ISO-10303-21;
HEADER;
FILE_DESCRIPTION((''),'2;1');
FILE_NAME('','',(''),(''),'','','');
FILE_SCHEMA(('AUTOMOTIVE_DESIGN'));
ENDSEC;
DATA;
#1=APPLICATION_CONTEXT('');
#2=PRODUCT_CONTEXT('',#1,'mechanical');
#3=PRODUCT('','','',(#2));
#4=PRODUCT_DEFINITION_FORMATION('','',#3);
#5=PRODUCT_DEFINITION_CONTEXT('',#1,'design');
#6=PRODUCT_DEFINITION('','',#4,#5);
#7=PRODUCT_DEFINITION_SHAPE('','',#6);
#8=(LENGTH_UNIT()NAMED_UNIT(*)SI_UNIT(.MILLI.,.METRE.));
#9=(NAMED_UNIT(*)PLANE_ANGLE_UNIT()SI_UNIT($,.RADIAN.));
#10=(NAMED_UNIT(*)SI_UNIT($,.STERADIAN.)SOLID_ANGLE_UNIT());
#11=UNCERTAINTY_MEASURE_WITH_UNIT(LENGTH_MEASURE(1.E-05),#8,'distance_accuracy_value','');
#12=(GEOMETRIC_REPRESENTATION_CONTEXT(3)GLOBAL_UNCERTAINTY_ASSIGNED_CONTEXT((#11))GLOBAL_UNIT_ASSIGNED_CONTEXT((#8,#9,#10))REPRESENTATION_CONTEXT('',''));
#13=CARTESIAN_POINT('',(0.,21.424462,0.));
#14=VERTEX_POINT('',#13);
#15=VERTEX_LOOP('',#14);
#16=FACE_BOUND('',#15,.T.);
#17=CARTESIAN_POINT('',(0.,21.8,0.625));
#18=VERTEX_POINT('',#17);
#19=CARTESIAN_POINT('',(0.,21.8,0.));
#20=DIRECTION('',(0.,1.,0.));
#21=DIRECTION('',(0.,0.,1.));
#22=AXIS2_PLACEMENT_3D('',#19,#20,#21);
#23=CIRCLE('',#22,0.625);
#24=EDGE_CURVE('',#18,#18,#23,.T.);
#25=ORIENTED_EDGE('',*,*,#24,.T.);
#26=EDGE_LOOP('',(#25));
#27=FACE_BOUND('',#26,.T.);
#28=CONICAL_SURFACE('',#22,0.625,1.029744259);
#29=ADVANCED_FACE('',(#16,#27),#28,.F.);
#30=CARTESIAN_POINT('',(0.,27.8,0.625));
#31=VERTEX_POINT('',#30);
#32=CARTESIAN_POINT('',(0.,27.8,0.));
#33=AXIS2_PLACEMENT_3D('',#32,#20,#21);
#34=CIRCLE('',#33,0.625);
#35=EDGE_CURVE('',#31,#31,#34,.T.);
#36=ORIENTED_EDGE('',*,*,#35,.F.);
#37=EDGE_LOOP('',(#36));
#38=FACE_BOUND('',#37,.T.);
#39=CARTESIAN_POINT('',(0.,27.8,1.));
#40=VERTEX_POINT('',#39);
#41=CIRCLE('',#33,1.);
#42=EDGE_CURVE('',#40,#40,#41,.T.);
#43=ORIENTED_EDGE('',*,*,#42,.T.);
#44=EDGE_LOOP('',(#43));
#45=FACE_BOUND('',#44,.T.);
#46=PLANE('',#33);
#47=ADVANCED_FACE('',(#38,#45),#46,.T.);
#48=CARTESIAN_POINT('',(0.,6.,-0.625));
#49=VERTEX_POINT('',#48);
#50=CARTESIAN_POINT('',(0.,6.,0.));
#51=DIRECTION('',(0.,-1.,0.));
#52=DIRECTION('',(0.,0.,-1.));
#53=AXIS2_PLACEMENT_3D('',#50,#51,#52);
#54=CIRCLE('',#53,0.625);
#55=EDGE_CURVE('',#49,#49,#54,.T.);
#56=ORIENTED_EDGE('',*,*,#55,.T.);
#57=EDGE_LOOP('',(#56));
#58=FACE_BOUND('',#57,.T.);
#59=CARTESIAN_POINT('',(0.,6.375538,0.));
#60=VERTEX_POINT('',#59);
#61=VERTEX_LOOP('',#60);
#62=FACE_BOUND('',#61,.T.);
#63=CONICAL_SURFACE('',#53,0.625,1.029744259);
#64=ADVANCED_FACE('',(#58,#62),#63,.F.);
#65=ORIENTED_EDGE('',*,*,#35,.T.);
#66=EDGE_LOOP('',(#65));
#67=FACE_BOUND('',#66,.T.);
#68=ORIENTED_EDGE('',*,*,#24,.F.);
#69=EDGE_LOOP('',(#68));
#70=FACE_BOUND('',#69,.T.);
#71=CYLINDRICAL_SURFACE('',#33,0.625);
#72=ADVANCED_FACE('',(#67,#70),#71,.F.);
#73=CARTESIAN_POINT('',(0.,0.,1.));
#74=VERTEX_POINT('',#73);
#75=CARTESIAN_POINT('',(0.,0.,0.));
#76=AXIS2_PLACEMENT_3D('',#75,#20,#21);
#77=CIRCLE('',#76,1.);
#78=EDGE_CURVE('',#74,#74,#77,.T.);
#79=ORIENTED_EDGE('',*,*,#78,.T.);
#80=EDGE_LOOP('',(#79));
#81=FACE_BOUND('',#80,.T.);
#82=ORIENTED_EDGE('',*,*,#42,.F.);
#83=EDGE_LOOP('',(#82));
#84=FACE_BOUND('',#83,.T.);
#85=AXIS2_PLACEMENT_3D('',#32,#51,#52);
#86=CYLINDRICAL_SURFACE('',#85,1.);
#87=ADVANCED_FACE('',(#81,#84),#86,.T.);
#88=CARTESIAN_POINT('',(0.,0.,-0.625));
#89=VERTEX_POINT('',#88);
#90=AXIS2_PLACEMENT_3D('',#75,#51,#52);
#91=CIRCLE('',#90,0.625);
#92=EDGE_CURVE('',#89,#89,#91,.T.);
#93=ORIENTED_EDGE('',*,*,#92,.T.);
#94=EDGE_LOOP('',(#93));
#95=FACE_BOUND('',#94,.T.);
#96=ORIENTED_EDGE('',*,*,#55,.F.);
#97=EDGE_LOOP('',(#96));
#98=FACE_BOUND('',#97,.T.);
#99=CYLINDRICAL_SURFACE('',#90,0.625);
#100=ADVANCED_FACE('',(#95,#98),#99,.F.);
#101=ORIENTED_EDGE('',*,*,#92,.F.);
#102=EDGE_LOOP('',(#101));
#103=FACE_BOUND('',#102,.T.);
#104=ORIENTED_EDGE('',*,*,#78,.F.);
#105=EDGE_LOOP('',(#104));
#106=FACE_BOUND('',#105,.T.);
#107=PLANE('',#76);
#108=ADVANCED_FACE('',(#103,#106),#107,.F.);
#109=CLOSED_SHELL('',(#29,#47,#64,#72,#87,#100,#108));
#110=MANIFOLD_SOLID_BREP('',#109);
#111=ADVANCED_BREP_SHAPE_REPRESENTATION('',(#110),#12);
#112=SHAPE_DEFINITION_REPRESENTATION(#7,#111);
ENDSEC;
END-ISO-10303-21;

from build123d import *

# Parameters (mm, degrees)
SKETCH1_R           = 1
BOSS_EXTRUDE1_DEPTH = 27.8


with BuildPart() as part:
    # Sketch1 → Boss-Extrude1 (new body)
    with BuildSketch(Plane(origin=(0, 0, 0), x_dir=(1, 0, 0), z_dir=(0, 1, 0))):
        with Locations(Location((0, 0, 0), (0, 0, 270))):
            Circle(SKETCH1_R)
    extrude(amount=BOSS_EXTRUDE1_DEPTH)

    # Sketch4 → M1.6x0.35 Tapped Hole1 (revolve, cut)
    with BuildSketch(Plane(origin=(0, 27.8, 0), x_dir=(0, 0, 1), z_dir=(1, 0, 0))):
        Polygon((0, 0), (0, 6.375537887), (0.625, 6), (0.625, 0), align=None)
    m1_6x0_35_tapped_hole1 = revolve(axis=Axis((0, 34.15, 0), (0, -1, 0)), mode=Mode.SUBTRACT)

    # Mirror1: M1.6x0.35 Tapped Hole1 across plane
    add(m1_6x0_35_tapped_hole1.mirror(Plane(origin=(0, 13.9, 0), x_dir=(0, 0, 1), z_dir=(0, -1, 0))), mode=Mode.SUBTRACT)


solid = part.part
